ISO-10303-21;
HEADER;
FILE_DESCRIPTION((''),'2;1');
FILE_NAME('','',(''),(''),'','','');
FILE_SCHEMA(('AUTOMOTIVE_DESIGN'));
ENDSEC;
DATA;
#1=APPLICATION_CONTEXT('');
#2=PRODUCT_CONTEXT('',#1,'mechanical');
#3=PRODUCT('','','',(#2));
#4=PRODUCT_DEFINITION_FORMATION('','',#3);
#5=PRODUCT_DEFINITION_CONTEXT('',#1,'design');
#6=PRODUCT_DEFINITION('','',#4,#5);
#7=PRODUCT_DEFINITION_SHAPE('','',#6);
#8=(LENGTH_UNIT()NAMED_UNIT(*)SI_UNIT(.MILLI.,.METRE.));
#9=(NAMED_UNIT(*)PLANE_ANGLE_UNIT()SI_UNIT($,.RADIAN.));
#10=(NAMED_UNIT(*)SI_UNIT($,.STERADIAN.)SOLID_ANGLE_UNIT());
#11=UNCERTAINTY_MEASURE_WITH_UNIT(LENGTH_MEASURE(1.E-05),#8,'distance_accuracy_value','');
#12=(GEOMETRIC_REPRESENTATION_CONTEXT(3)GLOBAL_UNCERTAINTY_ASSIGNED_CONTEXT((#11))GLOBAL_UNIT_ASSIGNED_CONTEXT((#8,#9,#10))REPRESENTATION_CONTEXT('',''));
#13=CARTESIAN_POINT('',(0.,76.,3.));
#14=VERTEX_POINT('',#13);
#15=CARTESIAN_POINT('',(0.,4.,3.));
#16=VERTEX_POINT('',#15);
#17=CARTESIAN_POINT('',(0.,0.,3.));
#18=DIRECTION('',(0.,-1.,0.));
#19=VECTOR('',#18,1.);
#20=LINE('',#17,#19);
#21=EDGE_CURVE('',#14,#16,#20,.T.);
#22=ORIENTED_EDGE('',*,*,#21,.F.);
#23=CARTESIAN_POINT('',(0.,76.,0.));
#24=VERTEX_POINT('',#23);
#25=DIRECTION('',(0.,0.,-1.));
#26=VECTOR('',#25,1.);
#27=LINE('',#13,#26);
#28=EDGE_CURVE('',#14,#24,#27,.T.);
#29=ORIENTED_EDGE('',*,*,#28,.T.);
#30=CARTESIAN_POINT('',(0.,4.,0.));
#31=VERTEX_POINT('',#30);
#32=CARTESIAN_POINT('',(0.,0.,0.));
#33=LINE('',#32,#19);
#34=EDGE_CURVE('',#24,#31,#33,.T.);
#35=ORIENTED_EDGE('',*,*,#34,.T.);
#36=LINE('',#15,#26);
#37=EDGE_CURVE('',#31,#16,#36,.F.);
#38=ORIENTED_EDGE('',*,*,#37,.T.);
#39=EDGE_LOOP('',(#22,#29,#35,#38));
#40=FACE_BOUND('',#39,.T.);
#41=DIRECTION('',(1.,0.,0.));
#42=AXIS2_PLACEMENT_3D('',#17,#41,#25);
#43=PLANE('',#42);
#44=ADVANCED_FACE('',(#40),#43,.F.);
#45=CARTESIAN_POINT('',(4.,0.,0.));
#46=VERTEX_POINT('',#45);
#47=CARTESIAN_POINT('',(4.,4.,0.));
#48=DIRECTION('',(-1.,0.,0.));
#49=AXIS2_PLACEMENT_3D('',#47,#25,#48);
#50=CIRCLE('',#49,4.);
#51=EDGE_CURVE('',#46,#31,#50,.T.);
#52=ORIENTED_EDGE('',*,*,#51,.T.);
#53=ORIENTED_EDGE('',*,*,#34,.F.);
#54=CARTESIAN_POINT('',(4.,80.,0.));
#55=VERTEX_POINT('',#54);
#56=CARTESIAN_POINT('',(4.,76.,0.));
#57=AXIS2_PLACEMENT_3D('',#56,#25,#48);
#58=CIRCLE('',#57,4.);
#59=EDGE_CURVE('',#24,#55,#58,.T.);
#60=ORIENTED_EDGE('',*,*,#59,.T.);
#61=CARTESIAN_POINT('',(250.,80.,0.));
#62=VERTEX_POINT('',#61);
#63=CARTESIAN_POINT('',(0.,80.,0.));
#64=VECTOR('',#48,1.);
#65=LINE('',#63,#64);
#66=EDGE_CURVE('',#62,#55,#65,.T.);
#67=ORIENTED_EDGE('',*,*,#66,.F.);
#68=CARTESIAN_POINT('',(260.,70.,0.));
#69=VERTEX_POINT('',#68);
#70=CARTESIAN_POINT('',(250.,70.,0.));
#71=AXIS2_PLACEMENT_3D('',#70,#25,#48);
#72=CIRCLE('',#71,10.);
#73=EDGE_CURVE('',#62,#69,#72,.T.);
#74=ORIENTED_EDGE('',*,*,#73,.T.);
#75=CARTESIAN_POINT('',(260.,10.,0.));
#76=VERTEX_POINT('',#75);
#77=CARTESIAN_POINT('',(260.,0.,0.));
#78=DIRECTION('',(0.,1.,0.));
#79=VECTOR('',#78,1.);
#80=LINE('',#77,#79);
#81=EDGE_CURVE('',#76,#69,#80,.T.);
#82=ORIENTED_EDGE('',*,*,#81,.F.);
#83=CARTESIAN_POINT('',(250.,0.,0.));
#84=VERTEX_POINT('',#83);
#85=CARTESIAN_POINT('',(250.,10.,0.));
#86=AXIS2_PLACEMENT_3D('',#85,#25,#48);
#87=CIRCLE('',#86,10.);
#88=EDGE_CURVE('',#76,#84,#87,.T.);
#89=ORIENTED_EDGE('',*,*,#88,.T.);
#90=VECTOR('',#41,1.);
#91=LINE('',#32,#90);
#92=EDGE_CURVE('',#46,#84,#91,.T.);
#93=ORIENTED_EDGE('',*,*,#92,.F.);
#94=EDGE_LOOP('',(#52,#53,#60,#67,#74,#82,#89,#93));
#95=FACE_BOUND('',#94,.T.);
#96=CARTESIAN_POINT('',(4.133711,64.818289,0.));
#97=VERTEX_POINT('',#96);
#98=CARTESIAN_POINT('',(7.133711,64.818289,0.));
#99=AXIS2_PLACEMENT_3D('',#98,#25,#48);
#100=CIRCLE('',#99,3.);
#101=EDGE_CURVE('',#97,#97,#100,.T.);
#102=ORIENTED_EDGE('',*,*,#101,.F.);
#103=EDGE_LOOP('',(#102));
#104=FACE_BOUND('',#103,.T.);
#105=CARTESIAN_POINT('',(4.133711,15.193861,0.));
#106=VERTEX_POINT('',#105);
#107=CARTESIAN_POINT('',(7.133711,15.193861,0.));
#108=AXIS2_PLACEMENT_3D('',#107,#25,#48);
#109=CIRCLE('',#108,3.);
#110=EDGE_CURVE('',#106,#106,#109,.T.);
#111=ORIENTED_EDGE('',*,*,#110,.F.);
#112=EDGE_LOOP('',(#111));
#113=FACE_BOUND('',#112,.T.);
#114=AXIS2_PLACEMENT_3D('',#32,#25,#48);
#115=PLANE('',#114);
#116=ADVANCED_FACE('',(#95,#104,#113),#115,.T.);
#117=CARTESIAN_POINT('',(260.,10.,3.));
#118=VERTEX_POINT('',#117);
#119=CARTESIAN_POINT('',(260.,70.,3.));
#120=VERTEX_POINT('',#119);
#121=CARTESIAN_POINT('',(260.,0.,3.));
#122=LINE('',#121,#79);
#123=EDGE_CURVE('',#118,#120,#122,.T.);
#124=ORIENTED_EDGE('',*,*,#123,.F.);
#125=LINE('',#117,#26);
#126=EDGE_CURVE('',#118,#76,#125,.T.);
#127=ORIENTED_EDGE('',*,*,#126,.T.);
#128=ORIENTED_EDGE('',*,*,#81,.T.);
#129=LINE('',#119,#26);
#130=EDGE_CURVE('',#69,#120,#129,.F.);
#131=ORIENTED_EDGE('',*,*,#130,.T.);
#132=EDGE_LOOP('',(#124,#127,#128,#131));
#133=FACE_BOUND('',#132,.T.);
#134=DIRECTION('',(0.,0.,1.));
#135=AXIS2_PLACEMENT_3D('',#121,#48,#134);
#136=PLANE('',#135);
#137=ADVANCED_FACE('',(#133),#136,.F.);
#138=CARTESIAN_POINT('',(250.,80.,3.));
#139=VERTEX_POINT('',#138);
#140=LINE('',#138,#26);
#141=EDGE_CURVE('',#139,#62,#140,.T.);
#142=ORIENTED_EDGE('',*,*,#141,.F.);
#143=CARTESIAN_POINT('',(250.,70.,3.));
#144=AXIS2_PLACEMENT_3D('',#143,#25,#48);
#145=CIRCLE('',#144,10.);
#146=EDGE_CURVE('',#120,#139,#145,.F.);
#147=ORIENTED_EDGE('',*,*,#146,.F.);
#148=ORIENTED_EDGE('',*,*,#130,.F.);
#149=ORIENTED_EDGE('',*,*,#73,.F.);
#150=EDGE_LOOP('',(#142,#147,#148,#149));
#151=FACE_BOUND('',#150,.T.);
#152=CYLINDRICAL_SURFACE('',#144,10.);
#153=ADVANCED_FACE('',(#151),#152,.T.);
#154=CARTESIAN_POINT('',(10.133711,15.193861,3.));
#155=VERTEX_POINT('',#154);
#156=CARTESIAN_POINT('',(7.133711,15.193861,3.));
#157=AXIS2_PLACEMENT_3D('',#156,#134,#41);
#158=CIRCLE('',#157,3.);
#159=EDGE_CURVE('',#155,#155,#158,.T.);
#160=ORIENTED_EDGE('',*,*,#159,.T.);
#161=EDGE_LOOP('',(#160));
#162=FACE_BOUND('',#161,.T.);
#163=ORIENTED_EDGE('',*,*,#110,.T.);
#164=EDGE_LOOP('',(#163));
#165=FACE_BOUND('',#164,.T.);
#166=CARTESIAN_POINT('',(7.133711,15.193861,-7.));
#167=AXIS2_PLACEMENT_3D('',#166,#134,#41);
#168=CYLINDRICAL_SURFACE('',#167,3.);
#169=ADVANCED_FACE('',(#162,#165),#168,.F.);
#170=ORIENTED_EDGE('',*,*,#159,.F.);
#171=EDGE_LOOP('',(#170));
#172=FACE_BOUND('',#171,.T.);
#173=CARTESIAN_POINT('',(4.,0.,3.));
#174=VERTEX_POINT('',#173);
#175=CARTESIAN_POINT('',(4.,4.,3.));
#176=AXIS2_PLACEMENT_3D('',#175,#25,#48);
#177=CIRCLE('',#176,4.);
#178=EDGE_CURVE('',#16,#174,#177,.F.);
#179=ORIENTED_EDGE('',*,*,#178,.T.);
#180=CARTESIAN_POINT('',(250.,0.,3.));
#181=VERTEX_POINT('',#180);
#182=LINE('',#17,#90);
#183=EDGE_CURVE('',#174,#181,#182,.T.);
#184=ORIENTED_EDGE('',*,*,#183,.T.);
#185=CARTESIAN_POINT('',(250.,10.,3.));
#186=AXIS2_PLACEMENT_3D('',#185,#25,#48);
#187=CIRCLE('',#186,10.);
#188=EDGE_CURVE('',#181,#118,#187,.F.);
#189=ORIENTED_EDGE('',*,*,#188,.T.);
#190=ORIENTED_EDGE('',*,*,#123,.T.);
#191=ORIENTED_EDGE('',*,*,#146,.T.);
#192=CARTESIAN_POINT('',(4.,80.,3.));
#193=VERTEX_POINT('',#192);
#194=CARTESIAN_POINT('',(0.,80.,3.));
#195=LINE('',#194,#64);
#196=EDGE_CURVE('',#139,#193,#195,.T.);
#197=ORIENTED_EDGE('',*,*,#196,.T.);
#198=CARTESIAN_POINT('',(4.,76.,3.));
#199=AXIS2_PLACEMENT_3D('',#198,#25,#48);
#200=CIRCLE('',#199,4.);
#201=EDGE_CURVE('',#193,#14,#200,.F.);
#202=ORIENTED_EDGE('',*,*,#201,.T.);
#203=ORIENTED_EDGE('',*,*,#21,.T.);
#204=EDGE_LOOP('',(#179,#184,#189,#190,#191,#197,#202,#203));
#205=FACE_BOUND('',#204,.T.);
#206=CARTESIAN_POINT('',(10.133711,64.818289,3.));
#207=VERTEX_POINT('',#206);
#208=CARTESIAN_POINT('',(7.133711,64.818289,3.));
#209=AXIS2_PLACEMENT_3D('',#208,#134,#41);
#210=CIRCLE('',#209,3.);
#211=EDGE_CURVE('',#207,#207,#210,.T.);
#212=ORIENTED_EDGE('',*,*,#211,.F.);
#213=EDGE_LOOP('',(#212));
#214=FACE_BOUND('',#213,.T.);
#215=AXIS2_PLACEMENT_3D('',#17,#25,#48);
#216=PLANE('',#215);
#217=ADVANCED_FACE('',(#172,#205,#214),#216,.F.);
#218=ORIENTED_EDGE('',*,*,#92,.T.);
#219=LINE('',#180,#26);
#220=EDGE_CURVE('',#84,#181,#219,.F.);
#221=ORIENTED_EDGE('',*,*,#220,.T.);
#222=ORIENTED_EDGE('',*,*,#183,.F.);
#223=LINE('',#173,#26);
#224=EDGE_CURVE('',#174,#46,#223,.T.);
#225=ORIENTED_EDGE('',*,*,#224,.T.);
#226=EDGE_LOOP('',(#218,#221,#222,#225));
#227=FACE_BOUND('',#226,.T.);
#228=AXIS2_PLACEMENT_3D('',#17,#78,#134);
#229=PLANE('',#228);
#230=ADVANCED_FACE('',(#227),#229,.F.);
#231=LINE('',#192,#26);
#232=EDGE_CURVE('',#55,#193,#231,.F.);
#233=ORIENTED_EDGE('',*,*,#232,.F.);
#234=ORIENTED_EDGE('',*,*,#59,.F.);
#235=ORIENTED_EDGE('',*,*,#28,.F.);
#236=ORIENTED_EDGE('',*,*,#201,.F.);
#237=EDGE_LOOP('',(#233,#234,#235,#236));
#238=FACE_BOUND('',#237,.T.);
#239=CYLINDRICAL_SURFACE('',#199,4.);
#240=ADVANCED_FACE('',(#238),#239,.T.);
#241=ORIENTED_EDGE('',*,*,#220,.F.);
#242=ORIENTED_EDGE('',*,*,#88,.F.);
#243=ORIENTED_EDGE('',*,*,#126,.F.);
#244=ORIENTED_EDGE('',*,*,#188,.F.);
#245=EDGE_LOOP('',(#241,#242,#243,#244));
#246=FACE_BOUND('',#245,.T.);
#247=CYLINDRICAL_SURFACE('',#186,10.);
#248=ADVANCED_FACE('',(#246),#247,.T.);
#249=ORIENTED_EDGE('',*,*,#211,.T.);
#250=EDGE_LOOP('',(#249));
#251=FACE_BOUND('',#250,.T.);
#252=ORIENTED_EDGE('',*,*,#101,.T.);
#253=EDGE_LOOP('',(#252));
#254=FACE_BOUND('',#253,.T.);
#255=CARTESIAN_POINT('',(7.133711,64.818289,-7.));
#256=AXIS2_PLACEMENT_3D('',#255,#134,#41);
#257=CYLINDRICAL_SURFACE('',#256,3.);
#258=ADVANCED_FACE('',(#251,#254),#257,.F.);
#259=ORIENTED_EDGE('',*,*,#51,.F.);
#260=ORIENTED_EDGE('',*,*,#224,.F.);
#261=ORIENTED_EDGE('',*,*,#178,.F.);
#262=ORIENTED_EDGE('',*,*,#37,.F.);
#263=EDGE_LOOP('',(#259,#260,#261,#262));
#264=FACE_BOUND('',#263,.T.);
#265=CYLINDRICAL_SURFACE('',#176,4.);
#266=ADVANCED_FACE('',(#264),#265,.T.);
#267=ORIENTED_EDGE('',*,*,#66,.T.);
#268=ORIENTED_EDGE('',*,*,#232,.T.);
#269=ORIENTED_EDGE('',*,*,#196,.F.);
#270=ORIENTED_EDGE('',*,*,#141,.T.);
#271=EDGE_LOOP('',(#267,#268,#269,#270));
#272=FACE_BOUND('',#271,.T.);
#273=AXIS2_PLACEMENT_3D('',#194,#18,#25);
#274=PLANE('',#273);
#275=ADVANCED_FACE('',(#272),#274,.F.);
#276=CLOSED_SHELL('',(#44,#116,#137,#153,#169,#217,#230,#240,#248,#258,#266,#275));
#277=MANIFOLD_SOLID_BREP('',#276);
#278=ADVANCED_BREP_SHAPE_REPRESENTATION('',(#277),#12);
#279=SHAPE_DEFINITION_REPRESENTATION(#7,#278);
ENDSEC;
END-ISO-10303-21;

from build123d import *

# Parameters (mm, degrees)
ESQUISSE1_W             = 260
ESQUISSE1_H             = 80
BOSS_EXTRU_1_DEPTH      = 3
CONG_1_R                = 10
ESQUISSE3_R             = 3
ENL_V_MAT_EXTRU_1_DEPTH = 10
CONG_2_R                = 4


with BuildPart() as part:
    # Esquisse1 → Boss.-Extru.1 (new body)
    with BuildSketch(Plane.XY):
        with Locations((130, 40)):
            Rectangle(ESQUISSE1_W, ESQUISSE1_H)
    extrude(amount=BOSS_EXTRU_1_DEPTH)

    # Congé1
    cong_1_edges = [part.edges().sort_by_distance(p)[0] for p in [
        (260, 80, 1.5),
        (260, 0, 1.5),
    ]]
    fillet(cong_1_edges, radius=CONG_1_R)

    # Esquisse3 → Enlèv. mat.-Extru.1 (cut)
    with BuildSketch(Plane.XY.offset(3)):
        with Locations((7.133710771, 64.818289226)):
            Circle(ESQUISSE3_R)
        with Locations((7.133710771, 15.193861177)):
            Circle(ESQUISSE3_R)
    extrude(amount=-ENL_V_MAT_EXTRU_1_DEPTH, mode=Mode.SUBTRACT)

    # Congé2
    cong_2_edges = [part.edges().sort_by_distance(p)[0] for p in [
        (0, 80, 1.5),
        (0, 0, 1.5),
    ]]
    fillet(cong_2_edges, radius=CONG_2_R)


solid = part.part
